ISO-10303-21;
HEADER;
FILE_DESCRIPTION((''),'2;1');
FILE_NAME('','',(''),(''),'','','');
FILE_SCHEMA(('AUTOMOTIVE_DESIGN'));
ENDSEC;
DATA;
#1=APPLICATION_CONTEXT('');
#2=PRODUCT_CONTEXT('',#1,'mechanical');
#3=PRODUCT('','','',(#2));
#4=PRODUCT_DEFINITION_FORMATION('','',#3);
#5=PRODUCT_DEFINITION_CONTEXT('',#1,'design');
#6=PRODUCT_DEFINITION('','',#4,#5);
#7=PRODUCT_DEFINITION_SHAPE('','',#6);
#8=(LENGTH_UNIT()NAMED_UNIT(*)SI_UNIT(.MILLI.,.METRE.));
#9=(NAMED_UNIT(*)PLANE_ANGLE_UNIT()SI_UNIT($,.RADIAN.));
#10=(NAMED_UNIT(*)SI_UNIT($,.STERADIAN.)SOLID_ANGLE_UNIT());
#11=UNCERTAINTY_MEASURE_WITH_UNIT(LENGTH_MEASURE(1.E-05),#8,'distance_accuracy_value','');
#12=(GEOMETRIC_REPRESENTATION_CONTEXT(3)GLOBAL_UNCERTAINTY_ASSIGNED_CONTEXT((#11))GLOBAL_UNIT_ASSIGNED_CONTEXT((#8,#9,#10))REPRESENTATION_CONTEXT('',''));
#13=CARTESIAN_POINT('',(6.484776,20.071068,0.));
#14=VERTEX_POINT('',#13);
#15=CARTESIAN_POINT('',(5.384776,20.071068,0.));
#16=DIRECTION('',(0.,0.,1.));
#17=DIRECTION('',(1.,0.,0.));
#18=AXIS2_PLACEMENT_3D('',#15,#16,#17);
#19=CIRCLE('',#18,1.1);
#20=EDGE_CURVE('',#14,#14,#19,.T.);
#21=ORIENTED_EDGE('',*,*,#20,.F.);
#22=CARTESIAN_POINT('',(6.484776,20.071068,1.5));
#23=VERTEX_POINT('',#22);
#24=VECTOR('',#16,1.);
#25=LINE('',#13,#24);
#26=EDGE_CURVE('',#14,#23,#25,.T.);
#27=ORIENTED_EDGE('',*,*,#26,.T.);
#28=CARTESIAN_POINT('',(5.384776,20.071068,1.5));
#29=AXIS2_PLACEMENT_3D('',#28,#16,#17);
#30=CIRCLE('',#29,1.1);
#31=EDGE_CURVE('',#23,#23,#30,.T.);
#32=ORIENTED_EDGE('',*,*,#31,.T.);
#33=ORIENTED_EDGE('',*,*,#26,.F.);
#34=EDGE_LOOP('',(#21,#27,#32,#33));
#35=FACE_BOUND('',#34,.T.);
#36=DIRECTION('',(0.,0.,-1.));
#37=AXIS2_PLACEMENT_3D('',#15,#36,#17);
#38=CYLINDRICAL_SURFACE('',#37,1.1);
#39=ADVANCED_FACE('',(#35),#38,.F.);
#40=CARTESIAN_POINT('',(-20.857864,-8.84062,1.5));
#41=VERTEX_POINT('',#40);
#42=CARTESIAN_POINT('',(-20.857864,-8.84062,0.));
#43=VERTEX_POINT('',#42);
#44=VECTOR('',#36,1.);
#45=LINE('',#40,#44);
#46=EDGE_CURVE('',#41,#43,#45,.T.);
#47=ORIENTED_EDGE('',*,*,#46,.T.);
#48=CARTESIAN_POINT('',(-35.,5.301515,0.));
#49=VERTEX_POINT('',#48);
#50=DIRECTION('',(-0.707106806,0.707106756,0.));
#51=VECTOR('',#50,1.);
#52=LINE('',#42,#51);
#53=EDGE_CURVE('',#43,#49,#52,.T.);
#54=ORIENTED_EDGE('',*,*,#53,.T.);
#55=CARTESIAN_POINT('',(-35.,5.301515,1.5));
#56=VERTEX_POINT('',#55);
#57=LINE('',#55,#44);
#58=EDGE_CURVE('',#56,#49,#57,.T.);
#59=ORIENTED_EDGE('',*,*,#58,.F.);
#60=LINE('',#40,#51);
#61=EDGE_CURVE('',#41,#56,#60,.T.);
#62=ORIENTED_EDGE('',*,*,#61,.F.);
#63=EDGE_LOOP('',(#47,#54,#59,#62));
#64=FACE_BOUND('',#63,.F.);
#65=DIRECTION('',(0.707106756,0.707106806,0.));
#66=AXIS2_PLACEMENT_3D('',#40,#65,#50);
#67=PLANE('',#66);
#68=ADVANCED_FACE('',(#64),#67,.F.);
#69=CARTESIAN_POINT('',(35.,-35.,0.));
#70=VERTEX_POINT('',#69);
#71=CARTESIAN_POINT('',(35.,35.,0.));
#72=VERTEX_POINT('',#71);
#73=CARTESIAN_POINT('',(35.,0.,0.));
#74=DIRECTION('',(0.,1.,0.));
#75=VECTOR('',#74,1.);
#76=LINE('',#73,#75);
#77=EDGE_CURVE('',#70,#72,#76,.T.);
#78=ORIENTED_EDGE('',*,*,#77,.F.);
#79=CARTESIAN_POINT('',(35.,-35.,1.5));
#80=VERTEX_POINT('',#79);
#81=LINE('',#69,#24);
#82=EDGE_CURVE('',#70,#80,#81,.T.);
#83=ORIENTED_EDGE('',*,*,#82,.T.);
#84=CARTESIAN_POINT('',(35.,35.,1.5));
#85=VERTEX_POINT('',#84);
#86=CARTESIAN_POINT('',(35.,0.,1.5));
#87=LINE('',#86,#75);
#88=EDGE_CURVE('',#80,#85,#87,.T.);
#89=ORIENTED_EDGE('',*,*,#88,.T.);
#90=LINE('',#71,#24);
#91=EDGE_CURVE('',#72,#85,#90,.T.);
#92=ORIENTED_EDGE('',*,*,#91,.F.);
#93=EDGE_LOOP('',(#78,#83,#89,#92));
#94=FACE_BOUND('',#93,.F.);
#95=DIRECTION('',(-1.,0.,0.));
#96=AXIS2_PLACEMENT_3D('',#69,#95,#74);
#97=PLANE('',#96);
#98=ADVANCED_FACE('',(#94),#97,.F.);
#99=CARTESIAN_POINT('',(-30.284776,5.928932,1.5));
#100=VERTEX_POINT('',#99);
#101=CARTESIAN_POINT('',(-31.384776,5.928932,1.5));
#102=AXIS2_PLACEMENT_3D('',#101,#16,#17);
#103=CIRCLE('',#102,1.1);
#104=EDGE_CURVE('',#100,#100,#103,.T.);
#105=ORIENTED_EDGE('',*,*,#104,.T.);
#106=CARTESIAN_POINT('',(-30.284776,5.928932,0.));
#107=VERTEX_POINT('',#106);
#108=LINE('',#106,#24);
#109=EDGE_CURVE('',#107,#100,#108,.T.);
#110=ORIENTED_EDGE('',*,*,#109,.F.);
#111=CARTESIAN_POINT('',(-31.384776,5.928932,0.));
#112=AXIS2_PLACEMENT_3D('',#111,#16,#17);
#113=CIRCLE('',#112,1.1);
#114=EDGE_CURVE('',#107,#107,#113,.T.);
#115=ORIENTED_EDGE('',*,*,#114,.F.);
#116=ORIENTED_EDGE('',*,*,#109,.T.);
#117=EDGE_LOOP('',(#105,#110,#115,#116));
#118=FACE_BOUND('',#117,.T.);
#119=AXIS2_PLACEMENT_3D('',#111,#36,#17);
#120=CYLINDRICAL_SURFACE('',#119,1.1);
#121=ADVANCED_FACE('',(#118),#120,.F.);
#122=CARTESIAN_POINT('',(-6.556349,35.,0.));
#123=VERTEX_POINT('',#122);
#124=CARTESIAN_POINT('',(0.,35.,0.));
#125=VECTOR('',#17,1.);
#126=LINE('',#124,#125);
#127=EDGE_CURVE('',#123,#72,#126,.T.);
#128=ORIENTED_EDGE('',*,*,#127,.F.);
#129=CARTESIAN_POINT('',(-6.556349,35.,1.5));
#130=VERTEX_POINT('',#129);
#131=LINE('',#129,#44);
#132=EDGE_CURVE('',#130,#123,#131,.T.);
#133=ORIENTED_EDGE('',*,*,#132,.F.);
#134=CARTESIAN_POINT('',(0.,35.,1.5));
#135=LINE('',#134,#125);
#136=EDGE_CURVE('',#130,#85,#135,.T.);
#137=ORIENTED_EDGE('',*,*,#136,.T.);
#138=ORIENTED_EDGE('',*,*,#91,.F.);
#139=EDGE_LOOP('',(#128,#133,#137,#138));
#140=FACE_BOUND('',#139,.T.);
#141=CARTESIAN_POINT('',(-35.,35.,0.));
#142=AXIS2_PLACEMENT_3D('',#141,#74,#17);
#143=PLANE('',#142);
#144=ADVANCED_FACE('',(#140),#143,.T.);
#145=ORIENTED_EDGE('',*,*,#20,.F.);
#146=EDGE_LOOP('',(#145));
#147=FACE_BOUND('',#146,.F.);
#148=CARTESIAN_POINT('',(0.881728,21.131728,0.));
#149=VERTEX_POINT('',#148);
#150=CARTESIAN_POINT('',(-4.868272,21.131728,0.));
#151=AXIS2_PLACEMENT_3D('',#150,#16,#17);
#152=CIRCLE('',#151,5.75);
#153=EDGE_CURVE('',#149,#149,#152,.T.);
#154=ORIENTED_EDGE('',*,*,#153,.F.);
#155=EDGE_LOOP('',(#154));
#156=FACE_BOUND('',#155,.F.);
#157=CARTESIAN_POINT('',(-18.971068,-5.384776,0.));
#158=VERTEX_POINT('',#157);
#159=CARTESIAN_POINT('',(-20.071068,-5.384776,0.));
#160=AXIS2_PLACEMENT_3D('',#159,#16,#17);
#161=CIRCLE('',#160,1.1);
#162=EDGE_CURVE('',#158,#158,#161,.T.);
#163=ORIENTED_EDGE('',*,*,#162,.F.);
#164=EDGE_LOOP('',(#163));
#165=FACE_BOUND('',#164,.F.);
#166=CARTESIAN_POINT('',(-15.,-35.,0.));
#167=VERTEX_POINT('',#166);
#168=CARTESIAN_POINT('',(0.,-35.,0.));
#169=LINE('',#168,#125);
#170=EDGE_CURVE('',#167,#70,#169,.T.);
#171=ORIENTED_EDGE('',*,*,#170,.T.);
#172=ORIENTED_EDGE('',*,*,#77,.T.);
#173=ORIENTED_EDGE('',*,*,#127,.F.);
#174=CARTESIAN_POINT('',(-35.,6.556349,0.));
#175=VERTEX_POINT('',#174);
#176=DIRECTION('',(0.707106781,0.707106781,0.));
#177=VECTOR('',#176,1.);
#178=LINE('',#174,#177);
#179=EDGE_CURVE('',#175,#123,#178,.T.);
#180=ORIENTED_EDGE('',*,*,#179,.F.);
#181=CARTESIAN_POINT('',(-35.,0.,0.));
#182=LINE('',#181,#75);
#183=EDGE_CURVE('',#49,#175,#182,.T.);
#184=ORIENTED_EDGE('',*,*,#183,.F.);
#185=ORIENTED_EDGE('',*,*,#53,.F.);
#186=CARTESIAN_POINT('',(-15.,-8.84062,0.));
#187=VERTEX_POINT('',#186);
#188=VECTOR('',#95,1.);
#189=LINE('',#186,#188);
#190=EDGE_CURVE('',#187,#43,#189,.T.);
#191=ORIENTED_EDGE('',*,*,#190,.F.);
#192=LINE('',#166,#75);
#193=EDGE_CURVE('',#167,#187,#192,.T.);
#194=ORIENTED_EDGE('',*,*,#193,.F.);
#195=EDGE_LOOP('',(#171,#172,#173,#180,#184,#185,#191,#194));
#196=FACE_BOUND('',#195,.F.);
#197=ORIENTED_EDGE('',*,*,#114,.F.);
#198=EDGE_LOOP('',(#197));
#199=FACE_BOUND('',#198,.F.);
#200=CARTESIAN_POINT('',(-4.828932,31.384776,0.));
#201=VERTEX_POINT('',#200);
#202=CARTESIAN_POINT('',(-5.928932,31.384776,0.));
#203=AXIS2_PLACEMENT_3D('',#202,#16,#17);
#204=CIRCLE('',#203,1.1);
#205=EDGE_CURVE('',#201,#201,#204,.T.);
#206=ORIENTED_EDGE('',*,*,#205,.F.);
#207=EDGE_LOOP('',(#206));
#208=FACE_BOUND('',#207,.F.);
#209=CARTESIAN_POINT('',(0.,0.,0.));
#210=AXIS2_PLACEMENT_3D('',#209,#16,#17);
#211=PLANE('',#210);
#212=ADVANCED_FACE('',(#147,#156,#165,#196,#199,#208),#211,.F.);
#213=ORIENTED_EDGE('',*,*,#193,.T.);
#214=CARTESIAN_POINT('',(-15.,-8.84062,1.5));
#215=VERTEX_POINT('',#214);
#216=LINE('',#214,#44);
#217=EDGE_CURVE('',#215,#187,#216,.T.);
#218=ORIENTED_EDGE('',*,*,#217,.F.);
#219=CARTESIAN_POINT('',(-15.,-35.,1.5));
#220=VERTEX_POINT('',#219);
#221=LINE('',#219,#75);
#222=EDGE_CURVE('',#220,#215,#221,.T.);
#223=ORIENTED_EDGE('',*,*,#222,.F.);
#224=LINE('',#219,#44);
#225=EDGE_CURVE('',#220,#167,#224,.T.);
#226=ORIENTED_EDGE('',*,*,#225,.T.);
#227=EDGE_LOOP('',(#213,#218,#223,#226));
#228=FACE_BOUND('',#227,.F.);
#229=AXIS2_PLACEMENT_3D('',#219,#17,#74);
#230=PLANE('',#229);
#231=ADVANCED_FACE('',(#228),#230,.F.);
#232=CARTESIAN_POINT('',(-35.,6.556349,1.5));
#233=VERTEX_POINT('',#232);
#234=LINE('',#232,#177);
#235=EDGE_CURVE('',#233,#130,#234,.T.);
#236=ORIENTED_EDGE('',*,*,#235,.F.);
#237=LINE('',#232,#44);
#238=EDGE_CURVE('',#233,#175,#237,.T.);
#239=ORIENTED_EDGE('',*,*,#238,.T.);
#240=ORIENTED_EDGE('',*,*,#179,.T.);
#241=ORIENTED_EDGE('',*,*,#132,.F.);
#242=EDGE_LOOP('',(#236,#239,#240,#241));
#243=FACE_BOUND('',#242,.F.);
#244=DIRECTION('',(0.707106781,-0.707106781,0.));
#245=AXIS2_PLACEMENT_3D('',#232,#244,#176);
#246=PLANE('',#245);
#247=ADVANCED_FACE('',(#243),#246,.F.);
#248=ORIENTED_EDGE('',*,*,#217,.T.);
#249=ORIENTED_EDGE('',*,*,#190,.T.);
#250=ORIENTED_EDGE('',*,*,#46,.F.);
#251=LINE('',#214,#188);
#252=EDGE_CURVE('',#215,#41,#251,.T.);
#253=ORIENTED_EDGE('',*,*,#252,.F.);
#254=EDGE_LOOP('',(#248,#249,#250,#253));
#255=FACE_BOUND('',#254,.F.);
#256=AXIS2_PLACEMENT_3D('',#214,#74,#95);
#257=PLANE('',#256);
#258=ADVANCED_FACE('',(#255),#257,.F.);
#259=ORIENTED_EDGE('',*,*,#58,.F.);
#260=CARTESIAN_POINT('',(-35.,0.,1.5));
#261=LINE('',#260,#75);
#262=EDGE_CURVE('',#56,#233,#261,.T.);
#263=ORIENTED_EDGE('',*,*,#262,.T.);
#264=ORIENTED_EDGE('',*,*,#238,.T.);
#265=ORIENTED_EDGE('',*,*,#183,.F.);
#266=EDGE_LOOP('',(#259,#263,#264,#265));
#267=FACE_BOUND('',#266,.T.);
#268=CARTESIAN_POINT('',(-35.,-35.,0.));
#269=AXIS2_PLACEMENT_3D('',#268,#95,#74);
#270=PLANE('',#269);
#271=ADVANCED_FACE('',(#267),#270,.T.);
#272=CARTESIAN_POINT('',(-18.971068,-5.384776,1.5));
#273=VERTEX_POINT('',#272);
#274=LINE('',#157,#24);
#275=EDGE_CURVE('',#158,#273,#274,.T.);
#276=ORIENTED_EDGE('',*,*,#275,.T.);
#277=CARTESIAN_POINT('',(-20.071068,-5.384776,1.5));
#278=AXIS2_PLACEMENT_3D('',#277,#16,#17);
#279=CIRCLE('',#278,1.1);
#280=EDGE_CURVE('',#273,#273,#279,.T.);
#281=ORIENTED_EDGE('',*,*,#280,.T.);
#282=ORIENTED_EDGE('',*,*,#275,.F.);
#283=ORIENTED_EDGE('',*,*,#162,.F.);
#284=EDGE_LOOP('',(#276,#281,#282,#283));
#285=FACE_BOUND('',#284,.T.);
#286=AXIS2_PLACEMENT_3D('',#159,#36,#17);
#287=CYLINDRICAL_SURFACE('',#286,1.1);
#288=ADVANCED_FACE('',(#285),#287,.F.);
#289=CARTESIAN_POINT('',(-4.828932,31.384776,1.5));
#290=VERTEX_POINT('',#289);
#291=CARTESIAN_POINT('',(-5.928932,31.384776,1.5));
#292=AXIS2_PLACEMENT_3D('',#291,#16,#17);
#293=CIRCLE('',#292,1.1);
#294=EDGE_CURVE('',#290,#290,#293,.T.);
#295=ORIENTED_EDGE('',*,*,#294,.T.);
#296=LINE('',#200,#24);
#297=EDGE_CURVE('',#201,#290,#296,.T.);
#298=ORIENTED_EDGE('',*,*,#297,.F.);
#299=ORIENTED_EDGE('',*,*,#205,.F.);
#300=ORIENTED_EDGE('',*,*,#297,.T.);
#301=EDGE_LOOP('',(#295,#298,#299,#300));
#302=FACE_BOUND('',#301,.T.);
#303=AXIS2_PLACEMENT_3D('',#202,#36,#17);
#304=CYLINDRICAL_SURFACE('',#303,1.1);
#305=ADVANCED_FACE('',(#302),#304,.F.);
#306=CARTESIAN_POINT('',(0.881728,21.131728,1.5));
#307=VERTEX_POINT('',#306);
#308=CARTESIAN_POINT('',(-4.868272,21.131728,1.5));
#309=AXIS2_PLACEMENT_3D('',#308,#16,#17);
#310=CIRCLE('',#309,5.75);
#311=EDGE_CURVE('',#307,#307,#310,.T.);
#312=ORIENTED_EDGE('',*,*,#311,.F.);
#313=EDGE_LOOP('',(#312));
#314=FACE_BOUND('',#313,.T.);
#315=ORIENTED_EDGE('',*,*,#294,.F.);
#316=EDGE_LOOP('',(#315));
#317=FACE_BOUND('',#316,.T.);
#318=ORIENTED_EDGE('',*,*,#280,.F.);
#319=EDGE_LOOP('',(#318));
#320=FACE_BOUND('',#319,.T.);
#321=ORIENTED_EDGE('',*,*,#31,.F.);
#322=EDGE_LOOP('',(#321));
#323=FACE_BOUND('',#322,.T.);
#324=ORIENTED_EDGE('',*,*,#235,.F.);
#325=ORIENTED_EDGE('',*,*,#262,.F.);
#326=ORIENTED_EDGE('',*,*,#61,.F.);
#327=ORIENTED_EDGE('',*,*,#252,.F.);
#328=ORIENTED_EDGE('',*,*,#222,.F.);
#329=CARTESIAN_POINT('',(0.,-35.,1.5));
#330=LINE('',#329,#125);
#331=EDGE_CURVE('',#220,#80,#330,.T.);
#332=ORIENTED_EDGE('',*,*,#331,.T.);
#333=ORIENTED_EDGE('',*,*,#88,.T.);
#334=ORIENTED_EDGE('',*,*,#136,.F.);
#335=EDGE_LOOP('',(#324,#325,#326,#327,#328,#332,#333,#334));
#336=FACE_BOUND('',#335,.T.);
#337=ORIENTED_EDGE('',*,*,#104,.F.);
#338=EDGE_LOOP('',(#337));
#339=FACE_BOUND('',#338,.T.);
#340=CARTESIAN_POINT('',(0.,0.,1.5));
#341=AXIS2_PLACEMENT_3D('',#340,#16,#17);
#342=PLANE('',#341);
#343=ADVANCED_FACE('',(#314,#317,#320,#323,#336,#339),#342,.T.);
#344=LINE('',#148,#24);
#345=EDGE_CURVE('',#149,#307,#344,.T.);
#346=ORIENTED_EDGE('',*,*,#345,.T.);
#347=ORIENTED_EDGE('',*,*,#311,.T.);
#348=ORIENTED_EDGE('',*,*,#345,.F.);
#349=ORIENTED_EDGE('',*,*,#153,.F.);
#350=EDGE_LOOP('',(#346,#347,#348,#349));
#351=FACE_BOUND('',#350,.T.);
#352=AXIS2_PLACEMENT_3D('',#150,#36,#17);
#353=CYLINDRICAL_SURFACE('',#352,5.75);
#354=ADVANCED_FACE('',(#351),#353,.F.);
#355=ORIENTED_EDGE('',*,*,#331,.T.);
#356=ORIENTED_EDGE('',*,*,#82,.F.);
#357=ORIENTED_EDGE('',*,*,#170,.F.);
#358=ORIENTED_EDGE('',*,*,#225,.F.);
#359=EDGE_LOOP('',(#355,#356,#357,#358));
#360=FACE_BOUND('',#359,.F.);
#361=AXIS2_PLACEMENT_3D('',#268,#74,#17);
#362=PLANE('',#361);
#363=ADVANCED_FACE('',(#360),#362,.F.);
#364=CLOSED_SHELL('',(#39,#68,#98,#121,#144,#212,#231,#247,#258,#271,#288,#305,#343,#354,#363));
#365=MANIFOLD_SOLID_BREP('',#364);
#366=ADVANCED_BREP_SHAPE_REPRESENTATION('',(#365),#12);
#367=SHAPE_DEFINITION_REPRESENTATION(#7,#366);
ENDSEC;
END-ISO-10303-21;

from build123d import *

# Parameters (mm, degrees)
F0_W     = 70
F0_H     = 70
F0_R     = 1.1
F0_R_2   = 5.75
F1_DEPTH = 1.5
F3_DEPTH = 1.5


with BuildPart() as f1:
    # F0 (on Top) → F1 (new body)
    with BuildSketch(Plane.XY):
        Rectangle(F0_W, F0_H)
        with Locations((-20.071068, -5.384776)):
            Circle(F0_R, mode=Mode.SUBTRACT)
        with Locations((-31.384776, 5.928932)):
            Circle(F0_R, mode=Mode.SUBTRACT)
        with Locations((-4.868272, 21.131728)):
            Circle(F0_R_2, mode=Mode.SUBTRACT)
        with Locations((-5.928932, 31.384776)):
            Circle(F0_R, mode=Mode.SUBTRACT)
        with Locations((5.384776, 20.071068)):
            Circle(F0_R, mode=Mode.SUBTRACT)
    extrude(amount=F1_DEPTH)

    # F2 (on face) → F3 (cut, through all)
    with BuildSketch(Plane.XY.offset(1.5)):
        Polygon((-35, 35), (-35, 6.556349), (-6.556349, 35), align=None)
        Polygon((-20.857864, -8.84062), (-35, 5.301515), (-35, -35), (-15, -35), (-15, -8.84062), align=None)
    extrude(amount=-F3_DEPTH, mode=Mode.SUBTRACT)


solid = f1.part
